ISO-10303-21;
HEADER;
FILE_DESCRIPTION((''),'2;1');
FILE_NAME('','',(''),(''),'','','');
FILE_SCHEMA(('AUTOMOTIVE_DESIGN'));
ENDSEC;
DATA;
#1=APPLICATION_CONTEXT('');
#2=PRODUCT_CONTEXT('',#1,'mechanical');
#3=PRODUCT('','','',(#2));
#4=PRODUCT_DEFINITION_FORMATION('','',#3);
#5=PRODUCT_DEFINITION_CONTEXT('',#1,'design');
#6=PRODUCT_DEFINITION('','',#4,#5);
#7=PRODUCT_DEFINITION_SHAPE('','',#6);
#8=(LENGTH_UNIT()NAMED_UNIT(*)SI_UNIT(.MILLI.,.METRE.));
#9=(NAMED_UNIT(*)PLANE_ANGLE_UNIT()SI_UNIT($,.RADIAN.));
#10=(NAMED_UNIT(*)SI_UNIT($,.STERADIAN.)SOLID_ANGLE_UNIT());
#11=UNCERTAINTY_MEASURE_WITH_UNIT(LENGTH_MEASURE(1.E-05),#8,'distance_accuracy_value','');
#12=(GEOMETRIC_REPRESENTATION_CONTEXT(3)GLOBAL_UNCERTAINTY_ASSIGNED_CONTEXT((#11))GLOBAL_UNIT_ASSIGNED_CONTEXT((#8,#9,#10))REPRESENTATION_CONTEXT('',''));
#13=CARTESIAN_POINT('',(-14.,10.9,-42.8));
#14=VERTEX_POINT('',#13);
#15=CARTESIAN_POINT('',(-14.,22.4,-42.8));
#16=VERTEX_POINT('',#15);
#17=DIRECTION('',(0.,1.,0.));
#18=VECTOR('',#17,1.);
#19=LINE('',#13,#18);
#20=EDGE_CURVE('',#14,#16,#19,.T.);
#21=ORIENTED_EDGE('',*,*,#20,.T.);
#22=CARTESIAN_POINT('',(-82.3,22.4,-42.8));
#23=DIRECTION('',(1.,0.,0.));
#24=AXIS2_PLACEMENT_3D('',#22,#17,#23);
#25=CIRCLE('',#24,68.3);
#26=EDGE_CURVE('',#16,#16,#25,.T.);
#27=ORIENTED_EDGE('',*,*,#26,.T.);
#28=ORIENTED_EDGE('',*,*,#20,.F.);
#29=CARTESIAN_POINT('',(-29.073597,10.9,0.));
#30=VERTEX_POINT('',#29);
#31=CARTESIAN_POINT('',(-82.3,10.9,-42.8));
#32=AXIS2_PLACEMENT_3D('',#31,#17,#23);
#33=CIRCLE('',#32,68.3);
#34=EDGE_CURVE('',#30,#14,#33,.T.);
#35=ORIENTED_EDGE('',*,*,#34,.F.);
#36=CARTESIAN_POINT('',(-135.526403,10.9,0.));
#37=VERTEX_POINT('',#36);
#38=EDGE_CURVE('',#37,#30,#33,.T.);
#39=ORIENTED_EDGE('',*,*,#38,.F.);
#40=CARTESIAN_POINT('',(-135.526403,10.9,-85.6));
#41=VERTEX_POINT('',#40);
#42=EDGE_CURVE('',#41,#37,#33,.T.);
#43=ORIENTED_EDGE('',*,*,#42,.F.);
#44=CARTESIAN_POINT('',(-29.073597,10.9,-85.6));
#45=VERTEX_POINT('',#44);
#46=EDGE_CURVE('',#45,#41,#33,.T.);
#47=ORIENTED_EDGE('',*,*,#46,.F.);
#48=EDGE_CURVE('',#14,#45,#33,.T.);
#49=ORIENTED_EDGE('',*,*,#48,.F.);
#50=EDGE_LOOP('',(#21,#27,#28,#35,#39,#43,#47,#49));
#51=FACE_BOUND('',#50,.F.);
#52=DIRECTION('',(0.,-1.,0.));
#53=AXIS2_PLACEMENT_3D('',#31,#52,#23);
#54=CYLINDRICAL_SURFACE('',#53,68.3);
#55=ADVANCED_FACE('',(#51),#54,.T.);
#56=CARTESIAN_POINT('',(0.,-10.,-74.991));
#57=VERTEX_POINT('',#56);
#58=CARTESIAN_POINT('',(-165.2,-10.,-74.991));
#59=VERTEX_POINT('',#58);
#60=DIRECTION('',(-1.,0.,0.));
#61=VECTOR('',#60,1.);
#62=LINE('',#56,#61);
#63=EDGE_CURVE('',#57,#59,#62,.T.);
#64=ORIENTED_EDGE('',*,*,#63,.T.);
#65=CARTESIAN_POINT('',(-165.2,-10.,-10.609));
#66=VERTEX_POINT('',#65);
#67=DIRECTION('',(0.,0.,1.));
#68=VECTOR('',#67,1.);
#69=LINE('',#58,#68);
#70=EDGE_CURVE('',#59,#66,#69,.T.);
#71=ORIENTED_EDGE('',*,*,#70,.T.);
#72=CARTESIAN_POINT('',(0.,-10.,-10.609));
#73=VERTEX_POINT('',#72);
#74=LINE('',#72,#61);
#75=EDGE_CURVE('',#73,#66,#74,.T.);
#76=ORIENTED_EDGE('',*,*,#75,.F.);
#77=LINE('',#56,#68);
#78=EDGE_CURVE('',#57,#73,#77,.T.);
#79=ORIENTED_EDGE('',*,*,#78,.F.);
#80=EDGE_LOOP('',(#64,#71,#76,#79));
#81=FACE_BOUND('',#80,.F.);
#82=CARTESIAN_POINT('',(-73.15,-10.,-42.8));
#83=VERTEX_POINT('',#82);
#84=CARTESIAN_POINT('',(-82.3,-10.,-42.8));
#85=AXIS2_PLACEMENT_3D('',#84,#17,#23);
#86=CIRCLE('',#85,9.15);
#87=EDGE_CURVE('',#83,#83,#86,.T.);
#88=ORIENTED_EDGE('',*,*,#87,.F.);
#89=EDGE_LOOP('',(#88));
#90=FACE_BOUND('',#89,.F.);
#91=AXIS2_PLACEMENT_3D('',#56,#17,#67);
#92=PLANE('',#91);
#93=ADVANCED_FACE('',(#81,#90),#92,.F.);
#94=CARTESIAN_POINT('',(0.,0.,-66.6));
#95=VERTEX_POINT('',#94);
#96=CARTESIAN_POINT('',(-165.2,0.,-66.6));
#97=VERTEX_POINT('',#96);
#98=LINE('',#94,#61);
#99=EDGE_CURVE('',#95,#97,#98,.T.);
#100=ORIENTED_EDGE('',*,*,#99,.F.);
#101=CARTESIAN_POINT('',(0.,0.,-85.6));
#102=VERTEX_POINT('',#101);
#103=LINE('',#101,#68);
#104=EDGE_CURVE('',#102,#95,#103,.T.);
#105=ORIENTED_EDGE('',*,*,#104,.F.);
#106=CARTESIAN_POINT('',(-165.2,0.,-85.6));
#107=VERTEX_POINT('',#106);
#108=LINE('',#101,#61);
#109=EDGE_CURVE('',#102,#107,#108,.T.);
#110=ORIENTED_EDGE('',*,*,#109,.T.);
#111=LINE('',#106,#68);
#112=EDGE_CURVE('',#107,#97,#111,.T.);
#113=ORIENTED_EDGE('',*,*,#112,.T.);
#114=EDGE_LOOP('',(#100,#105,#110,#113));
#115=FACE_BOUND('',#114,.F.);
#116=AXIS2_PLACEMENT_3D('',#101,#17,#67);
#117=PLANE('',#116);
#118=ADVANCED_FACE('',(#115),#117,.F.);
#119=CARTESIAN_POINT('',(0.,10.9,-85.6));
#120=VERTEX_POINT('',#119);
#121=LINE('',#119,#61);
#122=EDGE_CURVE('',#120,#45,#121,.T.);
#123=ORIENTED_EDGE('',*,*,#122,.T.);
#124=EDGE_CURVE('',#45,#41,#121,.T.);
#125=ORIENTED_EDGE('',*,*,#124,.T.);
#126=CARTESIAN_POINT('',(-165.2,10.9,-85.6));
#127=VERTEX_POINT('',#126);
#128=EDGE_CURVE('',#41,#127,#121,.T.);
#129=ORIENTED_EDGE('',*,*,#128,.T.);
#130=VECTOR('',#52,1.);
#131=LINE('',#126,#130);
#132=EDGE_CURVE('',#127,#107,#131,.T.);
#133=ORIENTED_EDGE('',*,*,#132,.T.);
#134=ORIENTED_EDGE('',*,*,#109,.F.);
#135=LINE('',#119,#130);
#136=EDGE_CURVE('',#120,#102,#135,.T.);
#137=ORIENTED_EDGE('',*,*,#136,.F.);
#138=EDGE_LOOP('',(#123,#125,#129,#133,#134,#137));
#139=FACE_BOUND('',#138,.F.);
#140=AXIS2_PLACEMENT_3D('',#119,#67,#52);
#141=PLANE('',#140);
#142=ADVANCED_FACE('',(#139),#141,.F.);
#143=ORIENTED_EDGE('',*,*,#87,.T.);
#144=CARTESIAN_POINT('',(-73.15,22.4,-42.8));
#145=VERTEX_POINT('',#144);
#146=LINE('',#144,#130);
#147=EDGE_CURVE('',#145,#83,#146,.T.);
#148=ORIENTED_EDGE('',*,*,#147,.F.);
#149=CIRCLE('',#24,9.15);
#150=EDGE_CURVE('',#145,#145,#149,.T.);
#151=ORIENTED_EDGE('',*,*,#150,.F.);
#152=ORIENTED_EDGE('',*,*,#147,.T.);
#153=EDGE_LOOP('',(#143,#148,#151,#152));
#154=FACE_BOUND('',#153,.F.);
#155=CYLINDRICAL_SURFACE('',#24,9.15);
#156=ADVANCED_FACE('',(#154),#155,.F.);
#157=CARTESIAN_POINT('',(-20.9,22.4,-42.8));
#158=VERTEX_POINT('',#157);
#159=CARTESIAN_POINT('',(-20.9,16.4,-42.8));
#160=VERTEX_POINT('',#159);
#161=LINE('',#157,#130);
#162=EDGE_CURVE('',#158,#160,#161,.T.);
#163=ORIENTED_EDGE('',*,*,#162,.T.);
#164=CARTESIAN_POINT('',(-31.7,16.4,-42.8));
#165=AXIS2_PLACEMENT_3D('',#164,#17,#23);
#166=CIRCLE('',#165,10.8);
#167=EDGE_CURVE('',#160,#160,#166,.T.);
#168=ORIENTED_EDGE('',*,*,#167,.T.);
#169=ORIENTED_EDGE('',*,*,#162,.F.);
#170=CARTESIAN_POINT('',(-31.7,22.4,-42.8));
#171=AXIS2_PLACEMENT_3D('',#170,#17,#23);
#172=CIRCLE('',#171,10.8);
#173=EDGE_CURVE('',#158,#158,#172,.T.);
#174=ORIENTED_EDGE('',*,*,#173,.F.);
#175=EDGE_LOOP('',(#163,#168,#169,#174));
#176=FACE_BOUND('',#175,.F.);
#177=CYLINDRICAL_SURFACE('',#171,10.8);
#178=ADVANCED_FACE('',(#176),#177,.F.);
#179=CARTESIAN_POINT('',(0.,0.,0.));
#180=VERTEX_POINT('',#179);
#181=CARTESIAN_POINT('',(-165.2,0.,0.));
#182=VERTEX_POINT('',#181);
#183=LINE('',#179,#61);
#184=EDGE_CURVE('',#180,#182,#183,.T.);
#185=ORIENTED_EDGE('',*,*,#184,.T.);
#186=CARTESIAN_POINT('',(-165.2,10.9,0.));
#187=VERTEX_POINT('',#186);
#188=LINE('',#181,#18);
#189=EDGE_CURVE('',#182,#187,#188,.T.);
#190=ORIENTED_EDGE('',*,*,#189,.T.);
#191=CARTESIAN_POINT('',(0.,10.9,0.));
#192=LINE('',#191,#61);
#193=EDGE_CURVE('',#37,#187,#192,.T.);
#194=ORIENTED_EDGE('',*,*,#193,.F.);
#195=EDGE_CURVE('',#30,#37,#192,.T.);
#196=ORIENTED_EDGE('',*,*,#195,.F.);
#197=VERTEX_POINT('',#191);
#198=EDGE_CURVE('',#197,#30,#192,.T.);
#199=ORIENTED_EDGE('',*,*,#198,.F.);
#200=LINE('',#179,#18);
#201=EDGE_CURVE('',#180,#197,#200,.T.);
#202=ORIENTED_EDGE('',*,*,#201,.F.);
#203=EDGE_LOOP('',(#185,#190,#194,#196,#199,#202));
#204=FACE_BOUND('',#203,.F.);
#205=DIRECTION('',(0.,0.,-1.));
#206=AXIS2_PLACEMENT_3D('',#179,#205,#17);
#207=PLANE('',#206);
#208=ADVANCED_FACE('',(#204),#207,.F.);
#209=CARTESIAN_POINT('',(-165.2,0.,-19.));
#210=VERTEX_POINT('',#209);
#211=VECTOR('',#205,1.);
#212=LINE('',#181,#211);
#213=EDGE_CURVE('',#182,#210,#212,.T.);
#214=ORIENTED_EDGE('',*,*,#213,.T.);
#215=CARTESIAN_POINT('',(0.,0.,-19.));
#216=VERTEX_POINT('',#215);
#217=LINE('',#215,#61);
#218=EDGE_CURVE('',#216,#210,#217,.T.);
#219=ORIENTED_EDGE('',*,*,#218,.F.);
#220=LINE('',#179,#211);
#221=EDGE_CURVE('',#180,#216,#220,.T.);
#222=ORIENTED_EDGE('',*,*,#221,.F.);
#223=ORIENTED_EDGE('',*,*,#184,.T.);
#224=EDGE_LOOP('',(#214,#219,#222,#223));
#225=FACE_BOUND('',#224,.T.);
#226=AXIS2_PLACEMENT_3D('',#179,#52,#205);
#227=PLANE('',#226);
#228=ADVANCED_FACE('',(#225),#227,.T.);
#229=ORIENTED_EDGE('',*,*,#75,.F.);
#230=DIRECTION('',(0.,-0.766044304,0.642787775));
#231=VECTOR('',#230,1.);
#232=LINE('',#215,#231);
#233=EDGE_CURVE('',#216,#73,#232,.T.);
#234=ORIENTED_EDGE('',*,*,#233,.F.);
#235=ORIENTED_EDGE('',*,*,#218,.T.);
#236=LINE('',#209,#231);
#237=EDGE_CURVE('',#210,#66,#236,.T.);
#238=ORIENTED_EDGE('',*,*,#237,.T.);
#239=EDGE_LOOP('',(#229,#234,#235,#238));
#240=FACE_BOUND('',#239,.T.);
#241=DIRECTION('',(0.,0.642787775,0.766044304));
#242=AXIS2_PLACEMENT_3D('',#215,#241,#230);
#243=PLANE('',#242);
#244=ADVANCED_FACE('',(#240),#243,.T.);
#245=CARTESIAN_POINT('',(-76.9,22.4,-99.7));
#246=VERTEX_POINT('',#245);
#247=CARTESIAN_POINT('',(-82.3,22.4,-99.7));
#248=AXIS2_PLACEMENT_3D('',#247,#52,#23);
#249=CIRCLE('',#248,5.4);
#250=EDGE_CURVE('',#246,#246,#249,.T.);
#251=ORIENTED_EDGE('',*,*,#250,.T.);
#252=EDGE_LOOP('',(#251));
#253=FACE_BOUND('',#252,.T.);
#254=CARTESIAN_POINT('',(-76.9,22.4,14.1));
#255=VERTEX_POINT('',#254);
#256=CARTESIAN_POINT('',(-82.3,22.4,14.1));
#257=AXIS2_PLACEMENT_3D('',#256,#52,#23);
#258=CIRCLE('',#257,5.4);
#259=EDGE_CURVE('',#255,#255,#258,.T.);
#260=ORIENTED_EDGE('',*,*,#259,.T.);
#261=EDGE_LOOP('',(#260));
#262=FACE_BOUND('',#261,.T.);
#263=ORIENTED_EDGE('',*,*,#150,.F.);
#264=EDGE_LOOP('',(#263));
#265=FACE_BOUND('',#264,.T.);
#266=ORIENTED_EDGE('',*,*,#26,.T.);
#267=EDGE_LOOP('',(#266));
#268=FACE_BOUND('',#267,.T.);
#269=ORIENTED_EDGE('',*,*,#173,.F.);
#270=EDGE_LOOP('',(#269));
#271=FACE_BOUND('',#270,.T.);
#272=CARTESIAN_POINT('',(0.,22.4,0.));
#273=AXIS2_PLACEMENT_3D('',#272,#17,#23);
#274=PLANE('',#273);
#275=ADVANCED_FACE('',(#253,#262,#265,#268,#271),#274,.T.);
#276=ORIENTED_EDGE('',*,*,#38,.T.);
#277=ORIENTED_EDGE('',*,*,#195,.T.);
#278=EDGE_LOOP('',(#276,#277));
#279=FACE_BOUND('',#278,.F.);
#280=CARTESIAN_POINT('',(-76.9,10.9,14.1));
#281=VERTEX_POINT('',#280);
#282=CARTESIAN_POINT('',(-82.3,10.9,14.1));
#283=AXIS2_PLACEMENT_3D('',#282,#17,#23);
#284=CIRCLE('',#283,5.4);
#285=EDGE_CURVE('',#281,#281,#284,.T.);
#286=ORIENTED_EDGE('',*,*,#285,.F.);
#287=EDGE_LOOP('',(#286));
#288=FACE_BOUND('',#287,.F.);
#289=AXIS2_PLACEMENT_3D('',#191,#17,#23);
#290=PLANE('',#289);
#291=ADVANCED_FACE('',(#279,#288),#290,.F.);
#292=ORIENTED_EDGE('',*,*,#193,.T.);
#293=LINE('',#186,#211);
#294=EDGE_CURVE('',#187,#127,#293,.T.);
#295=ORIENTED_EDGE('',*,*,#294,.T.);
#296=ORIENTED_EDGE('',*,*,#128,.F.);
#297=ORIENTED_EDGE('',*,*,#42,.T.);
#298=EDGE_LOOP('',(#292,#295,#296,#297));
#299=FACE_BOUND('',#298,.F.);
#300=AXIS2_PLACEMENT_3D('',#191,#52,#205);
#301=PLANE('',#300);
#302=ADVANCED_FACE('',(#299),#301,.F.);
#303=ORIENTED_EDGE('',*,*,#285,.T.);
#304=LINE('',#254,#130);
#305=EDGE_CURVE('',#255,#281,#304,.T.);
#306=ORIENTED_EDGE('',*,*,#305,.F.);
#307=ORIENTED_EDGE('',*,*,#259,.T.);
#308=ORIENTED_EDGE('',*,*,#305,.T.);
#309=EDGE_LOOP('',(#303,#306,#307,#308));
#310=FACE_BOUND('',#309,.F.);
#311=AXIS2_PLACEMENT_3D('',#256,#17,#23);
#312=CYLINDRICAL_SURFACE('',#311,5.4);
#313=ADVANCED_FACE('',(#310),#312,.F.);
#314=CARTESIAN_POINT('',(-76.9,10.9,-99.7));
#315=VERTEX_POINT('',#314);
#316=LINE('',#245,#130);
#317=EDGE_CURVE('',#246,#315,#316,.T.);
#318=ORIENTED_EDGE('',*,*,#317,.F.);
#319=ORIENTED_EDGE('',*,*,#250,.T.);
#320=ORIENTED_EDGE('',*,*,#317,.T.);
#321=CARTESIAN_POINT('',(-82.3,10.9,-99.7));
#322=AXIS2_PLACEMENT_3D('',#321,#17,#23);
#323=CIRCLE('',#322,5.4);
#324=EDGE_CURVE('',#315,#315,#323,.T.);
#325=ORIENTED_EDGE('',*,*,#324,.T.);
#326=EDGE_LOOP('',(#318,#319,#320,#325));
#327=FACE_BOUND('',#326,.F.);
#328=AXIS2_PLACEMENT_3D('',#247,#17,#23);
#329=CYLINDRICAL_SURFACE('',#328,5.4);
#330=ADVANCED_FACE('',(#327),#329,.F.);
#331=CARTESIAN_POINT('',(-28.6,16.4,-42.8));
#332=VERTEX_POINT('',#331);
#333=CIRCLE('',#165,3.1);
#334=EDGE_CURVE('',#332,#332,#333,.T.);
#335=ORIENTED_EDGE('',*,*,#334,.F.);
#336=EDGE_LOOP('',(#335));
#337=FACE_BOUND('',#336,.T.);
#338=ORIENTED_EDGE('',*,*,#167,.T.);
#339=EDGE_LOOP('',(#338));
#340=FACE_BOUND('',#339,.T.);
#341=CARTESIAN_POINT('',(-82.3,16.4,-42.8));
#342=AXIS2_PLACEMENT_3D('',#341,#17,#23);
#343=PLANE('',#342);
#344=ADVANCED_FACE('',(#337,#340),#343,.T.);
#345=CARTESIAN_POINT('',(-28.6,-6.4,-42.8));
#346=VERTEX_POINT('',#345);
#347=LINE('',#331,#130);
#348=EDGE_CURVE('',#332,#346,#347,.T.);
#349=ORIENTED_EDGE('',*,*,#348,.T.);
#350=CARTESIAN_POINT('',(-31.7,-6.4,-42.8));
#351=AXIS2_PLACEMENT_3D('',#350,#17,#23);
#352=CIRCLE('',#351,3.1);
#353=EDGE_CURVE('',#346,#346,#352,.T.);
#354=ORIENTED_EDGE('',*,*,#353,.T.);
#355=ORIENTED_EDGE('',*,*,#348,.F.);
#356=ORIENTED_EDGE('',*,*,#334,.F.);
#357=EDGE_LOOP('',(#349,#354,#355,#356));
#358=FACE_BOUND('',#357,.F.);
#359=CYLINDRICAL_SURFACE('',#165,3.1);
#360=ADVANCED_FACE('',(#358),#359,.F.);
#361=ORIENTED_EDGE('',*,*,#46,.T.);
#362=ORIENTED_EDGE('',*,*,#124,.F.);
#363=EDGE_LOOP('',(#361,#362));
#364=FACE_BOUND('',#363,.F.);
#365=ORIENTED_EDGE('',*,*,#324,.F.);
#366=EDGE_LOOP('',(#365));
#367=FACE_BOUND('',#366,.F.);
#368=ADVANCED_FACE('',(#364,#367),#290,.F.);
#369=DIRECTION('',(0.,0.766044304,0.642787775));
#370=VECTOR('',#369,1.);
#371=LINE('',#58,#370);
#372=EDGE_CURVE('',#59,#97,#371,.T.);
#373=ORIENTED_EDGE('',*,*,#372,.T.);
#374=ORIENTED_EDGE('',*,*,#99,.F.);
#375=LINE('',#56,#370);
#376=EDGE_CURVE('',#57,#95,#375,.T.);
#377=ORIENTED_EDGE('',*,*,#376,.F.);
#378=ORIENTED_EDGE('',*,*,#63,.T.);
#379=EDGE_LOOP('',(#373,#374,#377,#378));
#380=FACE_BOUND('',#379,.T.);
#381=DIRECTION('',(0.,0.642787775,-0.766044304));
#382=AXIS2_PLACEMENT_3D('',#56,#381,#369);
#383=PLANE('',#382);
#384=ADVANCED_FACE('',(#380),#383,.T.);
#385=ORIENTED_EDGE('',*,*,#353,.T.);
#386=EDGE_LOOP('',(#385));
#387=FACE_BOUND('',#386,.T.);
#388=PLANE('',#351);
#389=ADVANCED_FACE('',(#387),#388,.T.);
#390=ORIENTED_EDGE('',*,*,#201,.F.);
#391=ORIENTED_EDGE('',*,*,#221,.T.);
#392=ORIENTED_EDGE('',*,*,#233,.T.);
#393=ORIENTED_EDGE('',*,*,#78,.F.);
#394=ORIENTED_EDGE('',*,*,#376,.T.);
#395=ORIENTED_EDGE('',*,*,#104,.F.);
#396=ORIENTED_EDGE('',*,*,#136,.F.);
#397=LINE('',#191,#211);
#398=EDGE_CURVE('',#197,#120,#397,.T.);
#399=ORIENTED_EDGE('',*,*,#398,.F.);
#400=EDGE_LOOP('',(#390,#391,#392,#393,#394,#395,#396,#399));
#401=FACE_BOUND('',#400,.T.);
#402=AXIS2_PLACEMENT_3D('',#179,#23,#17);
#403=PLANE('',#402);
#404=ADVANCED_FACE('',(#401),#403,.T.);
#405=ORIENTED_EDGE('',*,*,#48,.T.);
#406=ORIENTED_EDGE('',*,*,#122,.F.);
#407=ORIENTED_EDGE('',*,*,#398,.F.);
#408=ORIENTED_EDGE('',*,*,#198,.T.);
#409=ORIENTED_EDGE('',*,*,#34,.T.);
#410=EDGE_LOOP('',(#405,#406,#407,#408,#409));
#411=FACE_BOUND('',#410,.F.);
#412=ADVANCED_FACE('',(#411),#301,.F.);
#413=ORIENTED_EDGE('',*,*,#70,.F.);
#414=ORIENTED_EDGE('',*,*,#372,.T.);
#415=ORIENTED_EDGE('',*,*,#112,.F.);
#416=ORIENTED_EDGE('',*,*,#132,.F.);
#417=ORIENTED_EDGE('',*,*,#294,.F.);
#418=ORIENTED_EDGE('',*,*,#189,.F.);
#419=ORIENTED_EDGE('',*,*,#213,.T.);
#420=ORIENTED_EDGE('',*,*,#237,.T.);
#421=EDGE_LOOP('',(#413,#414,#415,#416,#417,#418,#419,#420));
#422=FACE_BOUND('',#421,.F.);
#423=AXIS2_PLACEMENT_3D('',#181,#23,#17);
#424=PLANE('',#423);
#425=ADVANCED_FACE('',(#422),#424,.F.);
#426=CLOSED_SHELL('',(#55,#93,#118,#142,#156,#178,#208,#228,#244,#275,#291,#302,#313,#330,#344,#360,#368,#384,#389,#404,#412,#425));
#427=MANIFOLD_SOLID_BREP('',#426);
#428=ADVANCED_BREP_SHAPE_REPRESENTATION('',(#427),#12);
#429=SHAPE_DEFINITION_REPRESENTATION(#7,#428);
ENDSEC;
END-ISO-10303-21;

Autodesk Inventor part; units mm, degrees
ref_plane "YZ Plane" through (0, 0, 0) normal (1, 0, 0) x (0, 1, 0)
ref_plane "XZ Plane" through (0, 0, 0) normal (0, 1, 0) x (-1, 0, 0)
ref_plane "XY Plane" through (0, 0, 0) normal (0, 0, 1) x (1, 0, 0)
sketch "Sketch1" plane through (0, 0, 0) normal (1, 0, 0) x (0, 1, 0)
  line L0 (0, 0) -> (10.9, 0)
  line L1 (10.9, 0) -> (10.9, -85.6)
  line L2 (10.9, -85.6) -> (0, -85.6)
  line L3 (0, -85.6) -> (0, -66.6)
  line L4 (-10, -74.991) -> (-10, -10.609)
  line L5 (-10, -74.991) -> (0, -66.6)
  line L6 (0, 0) -> (0, -19)
  line L7 (0, -19) -> (-10, -10.609)
  line L8 (0, -66.6) -> (0, -19)
  line L9 (0, -42.8) -> (-10, -42.8) construction
  dimension "d1" = 85.6
  dimension "d7" = 19
  dimension "d30" = 50
  dimension "d31" = 19
  dimension "d32" = 50
  dimension "d33" = 10
extrude "Extrusion1" add sketch "Sketch1" against normal blind 165.2
sketch "Sketch2" plane through (0, 10.9, 0) normal (0, 1, 0) x (1, 0, 0)
  point P0 (0, 0)
sketch "Sketch3" plane through (0, 10.9, 0) normal (0, 1, 0) x (1, 0, 0)
  line L0 (0, 0) -> (0, 85.6) projected
  line L1 (0, 42.8) -> (-14, 42.8)
  line L2 (-14, 42.8) -> (-82.3, 42.8)
  circle A0 centre (-82.3, 42.8) radius 68.3
  dimension "d10" = 14
  dimension "d11" = 68.3
extrude "Extrusion2" add sketch "Sketch3" along normal blind 11.5
sketch "Sketch4" plane through (-82.3, 22.4, -42.8) normal (0, 1, 0) x (1, 0, 0)
  circle A0 centre (0, 0) radius 9.15
  point P0 (82.3, -42.8)
  dimension "d14" = 18.3
extrude "Extrusion3" cut sketch "Sketch4" against normal blind 73.75
sketch "Sketch5" plane through (-82.3, 22.4, -42.8) normal (0, 1, 0) x (1, 0, 0)
  circle A0 centre (0, 0) radius 68.3 projected
  line L0 (0, 68.3) -> (0, 62.3)
  line L1 (0, -68.3) -> (0, -62.3)
  line L2 (0, 62.3) -> (0, 56.9)
  circle A1 centre (0, 56.9) radius 5.4
  line L3 (0, -62.3) -> (0, -56.9)
  line L4 (82.3, -32.191) -> (-82.9, -32.191) projected
  circle A2 centre (0, -56.9) radius 5.4
  point P0 (82.3, -42.8)
  dimension "d17" = 6
  dimension "d18" = 6
  dimension "d19" = 5.4
  dimension "d20" = 5.4
extrude "Extrusion4" cut sketch "Sketch5" against normal blind 73.75 contours A1 | A2
sketch "Sketch6" plane through (-82.3, 22.4, -42.8) normal (0, 1, 0) x (1, 0, 0)
  point P0 (82.3, -42.8)
sketch "Sketch7" plane through (-82.3, 22.4, -42.8) normal (0, 1, 0) x (1, 0, 0)
  circle A0 centre (0, 0) radius 68.3 projected
  line L0 (68.3, 0) -> (61.4, 0)
  line L1 (61.4, 0) -> (50.6, 0)
  circle A1 centre (50.6, 0) radius 10.8
  point P0 (82.3, -42.8)
  dimension "d23" = 6.9
  dimension "d24" = 10.8
extrude "Extrusion5" cut sketch "Sketch7" against normal blind 6 contours A1
sketch "Sketch8" plane through (-31.7, 16.4, -42.8) normal (0, 1, 0) x (1, 0, 0)
  circle A0 centre (0, 0) radius 3.1
  point P0 (31.7, -42.8)
  dimension "d27" = 6.2
extrude "Extrusion6" cut sketch "Sketch8" against normal blind 22.8
ref_plane "Work Plane1" through (0, 0, -42.8) normal (0, 0, -1) x (-1, 0, 0)
properties part number "Top Part Tool bit"
